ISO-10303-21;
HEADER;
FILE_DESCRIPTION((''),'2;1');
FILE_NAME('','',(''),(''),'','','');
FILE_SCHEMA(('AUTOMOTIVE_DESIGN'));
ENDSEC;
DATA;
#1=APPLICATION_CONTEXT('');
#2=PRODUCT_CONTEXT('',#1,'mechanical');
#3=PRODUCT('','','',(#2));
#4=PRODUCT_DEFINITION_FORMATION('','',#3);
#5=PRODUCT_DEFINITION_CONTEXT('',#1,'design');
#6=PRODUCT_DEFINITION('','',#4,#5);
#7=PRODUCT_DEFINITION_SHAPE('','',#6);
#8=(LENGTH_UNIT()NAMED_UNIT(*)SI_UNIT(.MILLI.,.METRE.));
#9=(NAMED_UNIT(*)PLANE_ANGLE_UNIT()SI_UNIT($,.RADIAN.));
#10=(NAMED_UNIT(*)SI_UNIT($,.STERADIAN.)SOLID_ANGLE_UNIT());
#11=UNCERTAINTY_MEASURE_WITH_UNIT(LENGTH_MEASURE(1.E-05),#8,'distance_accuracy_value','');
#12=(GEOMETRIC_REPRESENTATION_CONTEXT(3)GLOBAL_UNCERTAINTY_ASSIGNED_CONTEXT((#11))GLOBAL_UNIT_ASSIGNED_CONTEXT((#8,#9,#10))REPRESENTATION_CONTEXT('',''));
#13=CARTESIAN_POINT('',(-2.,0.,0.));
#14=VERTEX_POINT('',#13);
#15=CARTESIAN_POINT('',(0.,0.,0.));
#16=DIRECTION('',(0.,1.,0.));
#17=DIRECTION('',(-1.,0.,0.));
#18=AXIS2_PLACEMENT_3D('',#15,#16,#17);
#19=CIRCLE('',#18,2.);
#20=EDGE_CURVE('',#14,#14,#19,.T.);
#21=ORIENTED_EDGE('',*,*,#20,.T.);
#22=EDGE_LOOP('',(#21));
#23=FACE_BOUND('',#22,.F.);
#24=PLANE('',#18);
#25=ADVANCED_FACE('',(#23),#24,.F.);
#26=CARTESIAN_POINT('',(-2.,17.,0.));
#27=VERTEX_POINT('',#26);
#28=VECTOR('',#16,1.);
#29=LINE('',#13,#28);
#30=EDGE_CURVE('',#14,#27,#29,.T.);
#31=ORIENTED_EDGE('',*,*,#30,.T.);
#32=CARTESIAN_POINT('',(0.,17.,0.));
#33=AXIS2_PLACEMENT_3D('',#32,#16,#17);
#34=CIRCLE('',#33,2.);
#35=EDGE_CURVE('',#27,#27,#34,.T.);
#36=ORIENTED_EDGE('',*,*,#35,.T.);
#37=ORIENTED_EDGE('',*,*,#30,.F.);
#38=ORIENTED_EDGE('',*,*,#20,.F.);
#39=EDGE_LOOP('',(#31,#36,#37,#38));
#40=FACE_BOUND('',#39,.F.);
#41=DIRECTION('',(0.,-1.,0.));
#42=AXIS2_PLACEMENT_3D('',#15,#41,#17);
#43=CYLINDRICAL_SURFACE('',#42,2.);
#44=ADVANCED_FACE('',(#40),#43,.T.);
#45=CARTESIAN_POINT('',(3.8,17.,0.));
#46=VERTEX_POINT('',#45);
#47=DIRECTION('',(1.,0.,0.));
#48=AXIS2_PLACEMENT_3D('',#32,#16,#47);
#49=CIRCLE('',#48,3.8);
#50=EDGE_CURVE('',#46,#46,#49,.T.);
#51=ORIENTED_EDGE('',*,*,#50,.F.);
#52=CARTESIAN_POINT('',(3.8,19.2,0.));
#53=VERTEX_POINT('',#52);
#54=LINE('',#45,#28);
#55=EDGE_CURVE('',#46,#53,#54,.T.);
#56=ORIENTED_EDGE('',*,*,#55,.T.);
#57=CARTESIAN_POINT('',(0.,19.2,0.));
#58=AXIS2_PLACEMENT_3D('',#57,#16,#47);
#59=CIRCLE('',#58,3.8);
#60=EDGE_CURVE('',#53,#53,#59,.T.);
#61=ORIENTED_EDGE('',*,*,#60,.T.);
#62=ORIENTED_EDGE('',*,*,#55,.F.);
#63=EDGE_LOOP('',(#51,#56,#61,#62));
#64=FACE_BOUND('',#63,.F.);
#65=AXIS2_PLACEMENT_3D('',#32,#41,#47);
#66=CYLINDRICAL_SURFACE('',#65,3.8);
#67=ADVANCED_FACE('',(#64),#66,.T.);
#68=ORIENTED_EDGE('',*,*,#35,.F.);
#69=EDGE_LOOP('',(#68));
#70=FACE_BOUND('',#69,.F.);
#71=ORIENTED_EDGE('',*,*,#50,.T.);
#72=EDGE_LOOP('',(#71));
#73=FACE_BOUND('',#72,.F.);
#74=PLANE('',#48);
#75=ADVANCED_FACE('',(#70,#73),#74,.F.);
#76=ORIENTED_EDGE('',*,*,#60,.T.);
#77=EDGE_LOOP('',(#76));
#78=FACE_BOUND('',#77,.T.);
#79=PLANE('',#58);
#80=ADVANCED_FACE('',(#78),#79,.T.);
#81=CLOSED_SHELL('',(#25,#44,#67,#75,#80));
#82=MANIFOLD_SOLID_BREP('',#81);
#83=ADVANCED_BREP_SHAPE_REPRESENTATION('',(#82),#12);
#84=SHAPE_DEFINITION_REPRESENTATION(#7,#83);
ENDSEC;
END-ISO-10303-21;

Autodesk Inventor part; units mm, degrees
ref_plane "YZ Plane" through (0, 0, 0) normal (1, 0, 0) x (0, 1, 0)
ref_plane "XZ Plane" through (0, 0, 0) normal (0, 1, 0) x (-1, 0, 0)
ref_plane "XY Plane" through (0, 0, 0) normal (0, 0, 1) x (1, 0, 0)
sketch "Sketch1" plane through (0, 0, 0) normal (0, 1, 0) x (-1, 0, 0)
  circle A0 centre (0, 0) radius 2
  dimension "d0" = 4
extrude "Extrusion1" add sketch "Sketch1" along normal blind 17
sketch "Sketch4" plane through (0, 17, 0) normal (0, 1, 0) x (1, 0, 0)
  circle A0 centre (0, 0) radius 3.8
  dimension "d9" = 7.6
extrude "Extrusion4" add sketch "Sketch4" along normal blind 2.2
properties part number "FakeButtonHead"
